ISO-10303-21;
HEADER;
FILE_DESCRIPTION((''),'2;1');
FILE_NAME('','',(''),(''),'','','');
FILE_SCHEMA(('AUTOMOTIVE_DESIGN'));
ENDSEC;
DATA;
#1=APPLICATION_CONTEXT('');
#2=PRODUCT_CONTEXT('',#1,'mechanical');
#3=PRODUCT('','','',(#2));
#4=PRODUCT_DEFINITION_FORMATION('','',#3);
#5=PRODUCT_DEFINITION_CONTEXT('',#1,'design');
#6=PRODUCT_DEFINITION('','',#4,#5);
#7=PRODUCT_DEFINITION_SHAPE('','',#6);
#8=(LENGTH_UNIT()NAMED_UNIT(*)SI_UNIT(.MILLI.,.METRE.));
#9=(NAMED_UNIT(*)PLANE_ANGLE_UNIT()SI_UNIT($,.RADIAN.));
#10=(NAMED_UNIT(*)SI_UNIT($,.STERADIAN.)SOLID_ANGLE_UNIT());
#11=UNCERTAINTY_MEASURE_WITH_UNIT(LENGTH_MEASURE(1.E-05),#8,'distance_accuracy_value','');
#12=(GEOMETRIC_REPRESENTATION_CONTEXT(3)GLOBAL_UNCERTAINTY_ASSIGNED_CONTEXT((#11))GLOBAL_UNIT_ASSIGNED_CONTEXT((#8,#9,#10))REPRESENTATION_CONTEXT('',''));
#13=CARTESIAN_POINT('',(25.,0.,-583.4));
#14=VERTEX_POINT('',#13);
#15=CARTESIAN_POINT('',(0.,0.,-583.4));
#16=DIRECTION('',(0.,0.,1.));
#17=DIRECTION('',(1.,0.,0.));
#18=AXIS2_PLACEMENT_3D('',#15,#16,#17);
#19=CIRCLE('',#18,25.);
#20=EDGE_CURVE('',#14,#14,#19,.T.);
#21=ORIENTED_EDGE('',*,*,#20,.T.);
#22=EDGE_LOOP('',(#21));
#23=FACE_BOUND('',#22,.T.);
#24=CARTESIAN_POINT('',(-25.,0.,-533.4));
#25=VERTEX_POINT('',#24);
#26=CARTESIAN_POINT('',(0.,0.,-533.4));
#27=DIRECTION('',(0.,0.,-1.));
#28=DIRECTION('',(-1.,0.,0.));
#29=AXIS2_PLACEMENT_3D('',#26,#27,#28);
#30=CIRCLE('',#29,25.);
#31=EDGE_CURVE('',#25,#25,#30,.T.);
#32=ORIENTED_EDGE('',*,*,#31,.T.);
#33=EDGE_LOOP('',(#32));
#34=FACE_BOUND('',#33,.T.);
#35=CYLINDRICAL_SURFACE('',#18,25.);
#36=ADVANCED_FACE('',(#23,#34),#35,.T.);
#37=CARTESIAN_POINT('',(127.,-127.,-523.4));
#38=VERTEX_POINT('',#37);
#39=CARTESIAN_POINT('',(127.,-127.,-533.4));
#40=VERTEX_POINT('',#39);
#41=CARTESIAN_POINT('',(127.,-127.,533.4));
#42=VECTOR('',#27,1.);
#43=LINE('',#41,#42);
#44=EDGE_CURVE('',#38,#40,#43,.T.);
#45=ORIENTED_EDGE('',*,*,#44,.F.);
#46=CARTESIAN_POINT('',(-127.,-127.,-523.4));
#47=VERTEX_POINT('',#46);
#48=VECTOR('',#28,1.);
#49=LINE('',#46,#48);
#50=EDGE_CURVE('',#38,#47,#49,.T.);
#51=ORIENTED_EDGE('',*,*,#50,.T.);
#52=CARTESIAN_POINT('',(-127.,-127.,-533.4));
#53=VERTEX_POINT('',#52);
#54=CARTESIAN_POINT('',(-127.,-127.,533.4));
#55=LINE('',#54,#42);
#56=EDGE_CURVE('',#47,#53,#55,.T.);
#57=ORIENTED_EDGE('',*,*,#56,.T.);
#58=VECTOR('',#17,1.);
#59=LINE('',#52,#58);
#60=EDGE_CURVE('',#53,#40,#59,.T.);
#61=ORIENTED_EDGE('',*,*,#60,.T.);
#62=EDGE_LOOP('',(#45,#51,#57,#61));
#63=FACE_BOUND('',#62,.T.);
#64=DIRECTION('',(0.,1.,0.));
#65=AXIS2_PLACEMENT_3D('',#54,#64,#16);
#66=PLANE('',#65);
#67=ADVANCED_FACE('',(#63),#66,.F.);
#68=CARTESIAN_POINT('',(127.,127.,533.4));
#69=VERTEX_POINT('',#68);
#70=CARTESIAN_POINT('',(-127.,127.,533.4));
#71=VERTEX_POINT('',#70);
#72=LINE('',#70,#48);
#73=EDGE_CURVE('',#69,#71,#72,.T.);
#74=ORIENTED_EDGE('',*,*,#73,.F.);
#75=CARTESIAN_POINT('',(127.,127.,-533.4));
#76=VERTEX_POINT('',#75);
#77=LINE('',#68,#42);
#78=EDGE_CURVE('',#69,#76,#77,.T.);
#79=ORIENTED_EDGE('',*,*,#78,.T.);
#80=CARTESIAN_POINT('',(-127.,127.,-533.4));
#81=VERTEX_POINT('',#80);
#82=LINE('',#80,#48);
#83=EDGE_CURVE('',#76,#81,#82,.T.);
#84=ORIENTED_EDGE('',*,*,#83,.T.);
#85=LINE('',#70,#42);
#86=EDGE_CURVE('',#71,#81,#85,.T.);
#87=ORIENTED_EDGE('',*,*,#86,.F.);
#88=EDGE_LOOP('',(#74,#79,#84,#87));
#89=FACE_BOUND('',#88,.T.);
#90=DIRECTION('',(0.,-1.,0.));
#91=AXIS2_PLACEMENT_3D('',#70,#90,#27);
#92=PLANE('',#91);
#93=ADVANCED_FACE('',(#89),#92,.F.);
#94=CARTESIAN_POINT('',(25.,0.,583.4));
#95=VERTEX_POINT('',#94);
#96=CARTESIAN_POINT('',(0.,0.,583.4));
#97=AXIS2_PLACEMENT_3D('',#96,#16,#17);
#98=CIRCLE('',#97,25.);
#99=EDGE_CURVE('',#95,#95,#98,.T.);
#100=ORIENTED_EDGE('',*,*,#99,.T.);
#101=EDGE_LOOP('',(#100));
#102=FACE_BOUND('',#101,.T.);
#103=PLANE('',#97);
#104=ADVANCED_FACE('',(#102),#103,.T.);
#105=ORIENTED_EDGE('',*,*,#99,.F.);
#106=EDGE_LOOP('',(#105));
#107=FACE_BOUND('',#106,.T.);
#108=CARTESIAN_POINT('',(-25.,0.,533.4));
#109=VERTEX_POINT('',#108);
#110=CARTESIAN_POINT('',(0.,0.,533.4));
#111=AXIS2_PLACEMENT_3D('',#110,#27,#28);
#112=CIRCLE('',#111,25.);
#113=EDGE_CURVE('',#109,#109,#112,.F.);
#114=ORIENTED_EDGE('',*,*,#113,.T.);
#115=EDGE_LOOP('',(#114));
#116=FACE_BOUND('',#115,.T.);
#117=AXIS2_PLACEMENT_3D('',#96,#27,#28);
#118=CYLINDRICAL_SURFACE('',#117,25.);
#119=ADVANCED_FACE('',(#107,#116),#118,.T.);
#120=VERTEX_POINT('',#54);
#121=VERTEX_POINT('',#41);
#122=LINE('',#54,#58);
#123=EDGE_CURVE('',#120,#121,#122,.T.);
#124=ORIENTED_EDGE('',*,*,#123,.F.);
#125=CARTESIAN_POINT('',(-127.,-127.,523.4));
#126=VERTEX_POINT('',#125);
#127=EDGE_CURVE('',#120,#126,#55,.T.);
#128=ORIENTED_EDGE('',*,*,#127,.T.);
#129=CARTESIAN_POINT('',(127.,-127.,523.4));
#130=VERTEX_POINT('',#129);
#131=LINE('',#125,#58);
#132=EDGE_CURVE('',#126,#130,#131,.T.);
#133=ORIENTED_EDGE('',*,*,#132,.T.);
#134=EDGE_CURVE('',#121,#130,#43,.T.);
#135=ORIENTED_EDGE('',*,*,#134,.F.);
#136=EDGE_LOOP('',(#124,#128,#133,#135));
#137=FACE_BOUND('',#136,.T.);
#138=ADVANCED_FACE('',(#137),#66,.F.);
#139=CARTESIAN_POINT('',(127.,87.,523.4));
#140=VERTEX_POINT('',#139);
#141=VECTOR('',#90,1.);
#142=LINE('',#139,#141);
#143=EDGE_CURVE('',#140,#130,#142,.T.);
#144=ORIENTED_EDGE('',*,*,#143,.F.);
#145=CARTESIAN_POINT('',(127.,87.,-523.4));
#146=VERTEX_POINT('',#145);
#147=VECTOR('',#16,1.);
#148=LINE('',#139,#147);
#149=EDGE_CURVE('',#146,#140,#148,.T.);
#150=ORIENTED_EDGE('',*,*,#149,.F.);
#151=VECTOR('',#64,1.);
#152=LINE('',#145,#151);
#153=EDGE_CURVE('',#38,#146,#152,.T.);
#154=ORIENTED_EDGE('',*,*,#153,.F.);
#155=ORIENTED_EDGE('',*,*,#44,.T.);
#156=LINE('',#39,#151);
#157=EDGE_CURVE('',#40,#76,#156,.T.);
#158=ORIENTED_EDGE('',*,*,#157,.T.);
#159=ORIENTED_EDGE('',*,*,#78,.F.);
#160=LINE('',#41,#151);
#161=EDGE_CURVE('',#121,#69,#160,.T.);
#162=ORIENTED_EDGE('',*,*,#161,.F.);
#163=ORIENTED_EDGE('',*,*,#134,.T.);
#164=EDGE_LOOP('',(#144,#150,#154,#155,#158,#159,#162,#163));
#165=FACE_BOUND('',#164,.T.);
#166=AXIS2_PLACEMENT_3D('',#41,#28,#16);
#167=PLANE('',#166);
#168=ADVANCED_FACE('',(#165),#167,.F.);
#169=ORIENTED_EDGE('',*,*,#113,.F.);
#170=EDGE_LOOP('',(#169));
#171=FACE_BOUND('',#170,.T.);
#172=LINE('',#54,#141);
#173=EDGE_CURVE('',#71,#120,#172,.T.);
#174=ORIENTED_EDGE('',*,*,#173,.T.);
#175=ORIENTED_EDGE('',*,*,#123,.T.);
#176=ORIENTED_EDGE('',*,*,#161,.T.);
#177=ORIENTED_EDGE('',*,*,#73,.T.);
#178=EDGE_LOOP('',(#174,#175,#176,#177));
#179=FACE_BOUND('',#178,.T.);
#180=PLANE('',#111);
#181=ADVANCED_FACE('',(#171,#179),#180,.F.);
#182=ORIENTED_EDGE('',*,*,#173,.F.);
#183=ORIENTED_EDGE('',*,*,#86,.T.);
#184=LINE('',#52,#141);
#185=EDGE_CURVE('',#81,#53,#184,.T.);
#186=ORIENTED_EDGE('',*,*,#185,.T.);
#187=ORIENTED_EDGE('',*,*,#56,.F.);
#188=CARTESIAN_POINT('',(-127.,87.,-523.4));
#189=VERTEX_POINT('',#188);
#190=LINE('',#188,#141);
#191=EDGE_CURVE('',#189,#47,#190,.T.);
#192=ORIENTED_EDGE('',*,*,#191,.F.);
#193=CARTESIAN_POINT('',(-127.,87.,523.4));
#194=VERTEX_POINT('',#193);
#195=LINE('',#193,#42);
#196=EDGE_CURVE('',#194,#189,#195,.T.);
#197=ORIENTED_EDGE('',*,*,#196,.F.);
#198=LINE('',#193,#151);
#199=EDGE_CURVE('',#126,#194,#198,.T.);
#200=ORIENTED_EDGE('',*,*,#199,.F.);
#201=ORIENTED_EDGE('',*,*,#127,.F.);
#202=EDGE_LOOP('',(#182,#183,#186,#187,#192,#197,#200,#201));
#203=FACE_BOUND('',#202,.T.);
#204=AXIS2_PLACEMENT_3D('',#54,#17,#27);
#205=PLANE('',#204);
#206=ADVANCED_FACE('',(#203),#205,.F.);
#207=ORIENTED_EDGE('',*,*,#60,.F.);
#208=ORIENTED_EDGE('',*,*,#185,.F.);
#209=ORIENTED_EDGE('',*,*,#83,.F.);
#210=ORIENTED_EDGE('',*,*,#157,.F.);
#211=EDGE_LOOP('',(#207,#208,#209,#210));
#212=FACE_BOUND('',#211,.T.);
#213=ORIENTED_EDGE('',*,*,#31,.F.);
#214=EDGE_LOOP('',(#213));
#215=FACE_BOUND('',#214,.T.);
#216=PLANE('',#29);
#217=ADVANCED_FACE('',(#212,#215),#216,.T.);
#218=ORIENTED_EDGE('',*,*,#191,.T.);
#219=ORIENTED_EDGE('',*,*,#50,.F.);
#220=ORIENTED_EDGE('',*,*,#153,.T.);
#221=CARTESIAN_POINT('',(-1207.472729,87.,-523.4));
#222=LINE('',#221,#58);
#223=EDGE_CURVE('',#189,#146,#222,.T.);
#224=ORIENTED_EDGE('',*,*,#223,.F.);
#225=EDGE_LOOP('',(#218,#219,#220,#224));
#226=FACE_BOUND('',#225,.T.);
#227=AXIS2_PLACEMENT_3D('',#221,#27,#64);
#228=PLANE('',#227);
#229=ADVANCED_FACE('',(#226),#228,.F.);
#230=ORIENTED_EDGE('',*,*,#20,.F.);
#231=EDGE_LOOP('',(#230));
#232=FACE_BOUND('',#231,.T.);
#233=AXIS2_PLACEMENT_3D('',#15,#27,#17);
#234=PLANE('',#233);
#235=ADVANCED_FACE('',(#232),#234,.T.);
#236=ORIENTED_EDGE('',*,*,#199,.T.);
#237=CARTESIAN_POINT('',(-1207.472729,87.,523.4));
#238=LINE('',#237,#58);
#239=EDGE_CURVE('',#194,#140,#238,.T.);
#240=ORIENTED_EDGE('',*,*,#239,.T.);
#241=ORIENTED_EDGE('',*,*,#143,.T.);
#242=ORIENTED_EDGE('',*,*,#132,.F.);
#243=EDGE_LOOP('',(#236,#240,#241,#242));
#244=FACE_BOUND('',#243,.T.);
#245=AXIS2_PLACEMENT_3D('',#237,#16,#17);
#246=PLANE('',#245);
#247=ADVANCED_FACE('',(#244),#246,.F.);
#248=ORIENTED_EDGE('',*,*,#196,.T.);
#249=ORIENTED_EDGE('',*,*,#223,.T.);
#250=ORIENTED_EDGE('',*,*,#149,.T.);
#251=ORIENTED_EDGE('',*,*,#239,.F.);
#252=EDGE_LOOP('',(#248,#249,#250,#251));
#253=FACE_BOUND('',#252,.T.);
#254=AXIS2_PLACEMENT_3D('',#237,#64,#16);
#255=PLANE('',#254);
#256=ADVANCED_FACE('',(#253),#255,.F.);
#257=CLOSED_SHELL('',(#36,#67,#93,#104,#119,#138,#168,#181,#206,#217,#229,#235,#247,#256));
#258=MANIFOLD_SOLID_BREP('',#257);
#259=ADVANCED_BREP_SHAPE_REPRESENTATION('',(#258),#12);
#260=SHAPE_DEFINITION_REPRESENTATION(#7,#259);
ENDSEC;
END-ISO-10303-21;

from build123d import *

# Parameters (mm, degrees)
SKETCH1_W           = 254
SKETCH1_H           = 254
BOSS_EXTRUDE1_DEPTH = 533.4
SKETCH2_R           = 25
BOSS_EXTRUDE2_DEPTH = 50
SKETCH3_W           = 1046.8
SKETCH3_H           = 267.639830062
CUT_EXTRUDE1_DEPTH  = 254


with BuildPart() as part:
    # Sketch1 → Boss-Extrude1 (new, symmetric)
    with BuildSketch(Plane.XY):
        Rectangle(SKETCH1_W, SKETCH1_H)
    extrude(amount=BOSS_EXTRUDE1_DEPTH, both=True)

    # Sketch2 → Boss-Extrude2 (add)
    with BuildSketch(Plane.XY.offset(533.4)):
        with Locations(Location((0, 0, 0), (0, 0, 180))):
            Circle(SKETCH2_R)
    boss_extrude2 = extrude(amount=BOSS_EXTRUDE2_DEPTH)

    # Mirror1: Boss-Extrude2 across plane
    add(boss_extrude2.mirror(Plane.XY))

    # Sketch3 → Cut-Extrude1 (cut)
    with BuildSketch(Plane(origin=(127, 0, 0), x_dir=(0, 0, -1), z_dir=(1, 0, 0))):
        with Locations((0, -46.819915031)):
            Rectangle(SKETCH3_W, SKETCH3_H)
    extrude(amount=-CUT_EXTRUDE1_DEPTH, mode=Mode.SUBTRACT)


solid = part.part
